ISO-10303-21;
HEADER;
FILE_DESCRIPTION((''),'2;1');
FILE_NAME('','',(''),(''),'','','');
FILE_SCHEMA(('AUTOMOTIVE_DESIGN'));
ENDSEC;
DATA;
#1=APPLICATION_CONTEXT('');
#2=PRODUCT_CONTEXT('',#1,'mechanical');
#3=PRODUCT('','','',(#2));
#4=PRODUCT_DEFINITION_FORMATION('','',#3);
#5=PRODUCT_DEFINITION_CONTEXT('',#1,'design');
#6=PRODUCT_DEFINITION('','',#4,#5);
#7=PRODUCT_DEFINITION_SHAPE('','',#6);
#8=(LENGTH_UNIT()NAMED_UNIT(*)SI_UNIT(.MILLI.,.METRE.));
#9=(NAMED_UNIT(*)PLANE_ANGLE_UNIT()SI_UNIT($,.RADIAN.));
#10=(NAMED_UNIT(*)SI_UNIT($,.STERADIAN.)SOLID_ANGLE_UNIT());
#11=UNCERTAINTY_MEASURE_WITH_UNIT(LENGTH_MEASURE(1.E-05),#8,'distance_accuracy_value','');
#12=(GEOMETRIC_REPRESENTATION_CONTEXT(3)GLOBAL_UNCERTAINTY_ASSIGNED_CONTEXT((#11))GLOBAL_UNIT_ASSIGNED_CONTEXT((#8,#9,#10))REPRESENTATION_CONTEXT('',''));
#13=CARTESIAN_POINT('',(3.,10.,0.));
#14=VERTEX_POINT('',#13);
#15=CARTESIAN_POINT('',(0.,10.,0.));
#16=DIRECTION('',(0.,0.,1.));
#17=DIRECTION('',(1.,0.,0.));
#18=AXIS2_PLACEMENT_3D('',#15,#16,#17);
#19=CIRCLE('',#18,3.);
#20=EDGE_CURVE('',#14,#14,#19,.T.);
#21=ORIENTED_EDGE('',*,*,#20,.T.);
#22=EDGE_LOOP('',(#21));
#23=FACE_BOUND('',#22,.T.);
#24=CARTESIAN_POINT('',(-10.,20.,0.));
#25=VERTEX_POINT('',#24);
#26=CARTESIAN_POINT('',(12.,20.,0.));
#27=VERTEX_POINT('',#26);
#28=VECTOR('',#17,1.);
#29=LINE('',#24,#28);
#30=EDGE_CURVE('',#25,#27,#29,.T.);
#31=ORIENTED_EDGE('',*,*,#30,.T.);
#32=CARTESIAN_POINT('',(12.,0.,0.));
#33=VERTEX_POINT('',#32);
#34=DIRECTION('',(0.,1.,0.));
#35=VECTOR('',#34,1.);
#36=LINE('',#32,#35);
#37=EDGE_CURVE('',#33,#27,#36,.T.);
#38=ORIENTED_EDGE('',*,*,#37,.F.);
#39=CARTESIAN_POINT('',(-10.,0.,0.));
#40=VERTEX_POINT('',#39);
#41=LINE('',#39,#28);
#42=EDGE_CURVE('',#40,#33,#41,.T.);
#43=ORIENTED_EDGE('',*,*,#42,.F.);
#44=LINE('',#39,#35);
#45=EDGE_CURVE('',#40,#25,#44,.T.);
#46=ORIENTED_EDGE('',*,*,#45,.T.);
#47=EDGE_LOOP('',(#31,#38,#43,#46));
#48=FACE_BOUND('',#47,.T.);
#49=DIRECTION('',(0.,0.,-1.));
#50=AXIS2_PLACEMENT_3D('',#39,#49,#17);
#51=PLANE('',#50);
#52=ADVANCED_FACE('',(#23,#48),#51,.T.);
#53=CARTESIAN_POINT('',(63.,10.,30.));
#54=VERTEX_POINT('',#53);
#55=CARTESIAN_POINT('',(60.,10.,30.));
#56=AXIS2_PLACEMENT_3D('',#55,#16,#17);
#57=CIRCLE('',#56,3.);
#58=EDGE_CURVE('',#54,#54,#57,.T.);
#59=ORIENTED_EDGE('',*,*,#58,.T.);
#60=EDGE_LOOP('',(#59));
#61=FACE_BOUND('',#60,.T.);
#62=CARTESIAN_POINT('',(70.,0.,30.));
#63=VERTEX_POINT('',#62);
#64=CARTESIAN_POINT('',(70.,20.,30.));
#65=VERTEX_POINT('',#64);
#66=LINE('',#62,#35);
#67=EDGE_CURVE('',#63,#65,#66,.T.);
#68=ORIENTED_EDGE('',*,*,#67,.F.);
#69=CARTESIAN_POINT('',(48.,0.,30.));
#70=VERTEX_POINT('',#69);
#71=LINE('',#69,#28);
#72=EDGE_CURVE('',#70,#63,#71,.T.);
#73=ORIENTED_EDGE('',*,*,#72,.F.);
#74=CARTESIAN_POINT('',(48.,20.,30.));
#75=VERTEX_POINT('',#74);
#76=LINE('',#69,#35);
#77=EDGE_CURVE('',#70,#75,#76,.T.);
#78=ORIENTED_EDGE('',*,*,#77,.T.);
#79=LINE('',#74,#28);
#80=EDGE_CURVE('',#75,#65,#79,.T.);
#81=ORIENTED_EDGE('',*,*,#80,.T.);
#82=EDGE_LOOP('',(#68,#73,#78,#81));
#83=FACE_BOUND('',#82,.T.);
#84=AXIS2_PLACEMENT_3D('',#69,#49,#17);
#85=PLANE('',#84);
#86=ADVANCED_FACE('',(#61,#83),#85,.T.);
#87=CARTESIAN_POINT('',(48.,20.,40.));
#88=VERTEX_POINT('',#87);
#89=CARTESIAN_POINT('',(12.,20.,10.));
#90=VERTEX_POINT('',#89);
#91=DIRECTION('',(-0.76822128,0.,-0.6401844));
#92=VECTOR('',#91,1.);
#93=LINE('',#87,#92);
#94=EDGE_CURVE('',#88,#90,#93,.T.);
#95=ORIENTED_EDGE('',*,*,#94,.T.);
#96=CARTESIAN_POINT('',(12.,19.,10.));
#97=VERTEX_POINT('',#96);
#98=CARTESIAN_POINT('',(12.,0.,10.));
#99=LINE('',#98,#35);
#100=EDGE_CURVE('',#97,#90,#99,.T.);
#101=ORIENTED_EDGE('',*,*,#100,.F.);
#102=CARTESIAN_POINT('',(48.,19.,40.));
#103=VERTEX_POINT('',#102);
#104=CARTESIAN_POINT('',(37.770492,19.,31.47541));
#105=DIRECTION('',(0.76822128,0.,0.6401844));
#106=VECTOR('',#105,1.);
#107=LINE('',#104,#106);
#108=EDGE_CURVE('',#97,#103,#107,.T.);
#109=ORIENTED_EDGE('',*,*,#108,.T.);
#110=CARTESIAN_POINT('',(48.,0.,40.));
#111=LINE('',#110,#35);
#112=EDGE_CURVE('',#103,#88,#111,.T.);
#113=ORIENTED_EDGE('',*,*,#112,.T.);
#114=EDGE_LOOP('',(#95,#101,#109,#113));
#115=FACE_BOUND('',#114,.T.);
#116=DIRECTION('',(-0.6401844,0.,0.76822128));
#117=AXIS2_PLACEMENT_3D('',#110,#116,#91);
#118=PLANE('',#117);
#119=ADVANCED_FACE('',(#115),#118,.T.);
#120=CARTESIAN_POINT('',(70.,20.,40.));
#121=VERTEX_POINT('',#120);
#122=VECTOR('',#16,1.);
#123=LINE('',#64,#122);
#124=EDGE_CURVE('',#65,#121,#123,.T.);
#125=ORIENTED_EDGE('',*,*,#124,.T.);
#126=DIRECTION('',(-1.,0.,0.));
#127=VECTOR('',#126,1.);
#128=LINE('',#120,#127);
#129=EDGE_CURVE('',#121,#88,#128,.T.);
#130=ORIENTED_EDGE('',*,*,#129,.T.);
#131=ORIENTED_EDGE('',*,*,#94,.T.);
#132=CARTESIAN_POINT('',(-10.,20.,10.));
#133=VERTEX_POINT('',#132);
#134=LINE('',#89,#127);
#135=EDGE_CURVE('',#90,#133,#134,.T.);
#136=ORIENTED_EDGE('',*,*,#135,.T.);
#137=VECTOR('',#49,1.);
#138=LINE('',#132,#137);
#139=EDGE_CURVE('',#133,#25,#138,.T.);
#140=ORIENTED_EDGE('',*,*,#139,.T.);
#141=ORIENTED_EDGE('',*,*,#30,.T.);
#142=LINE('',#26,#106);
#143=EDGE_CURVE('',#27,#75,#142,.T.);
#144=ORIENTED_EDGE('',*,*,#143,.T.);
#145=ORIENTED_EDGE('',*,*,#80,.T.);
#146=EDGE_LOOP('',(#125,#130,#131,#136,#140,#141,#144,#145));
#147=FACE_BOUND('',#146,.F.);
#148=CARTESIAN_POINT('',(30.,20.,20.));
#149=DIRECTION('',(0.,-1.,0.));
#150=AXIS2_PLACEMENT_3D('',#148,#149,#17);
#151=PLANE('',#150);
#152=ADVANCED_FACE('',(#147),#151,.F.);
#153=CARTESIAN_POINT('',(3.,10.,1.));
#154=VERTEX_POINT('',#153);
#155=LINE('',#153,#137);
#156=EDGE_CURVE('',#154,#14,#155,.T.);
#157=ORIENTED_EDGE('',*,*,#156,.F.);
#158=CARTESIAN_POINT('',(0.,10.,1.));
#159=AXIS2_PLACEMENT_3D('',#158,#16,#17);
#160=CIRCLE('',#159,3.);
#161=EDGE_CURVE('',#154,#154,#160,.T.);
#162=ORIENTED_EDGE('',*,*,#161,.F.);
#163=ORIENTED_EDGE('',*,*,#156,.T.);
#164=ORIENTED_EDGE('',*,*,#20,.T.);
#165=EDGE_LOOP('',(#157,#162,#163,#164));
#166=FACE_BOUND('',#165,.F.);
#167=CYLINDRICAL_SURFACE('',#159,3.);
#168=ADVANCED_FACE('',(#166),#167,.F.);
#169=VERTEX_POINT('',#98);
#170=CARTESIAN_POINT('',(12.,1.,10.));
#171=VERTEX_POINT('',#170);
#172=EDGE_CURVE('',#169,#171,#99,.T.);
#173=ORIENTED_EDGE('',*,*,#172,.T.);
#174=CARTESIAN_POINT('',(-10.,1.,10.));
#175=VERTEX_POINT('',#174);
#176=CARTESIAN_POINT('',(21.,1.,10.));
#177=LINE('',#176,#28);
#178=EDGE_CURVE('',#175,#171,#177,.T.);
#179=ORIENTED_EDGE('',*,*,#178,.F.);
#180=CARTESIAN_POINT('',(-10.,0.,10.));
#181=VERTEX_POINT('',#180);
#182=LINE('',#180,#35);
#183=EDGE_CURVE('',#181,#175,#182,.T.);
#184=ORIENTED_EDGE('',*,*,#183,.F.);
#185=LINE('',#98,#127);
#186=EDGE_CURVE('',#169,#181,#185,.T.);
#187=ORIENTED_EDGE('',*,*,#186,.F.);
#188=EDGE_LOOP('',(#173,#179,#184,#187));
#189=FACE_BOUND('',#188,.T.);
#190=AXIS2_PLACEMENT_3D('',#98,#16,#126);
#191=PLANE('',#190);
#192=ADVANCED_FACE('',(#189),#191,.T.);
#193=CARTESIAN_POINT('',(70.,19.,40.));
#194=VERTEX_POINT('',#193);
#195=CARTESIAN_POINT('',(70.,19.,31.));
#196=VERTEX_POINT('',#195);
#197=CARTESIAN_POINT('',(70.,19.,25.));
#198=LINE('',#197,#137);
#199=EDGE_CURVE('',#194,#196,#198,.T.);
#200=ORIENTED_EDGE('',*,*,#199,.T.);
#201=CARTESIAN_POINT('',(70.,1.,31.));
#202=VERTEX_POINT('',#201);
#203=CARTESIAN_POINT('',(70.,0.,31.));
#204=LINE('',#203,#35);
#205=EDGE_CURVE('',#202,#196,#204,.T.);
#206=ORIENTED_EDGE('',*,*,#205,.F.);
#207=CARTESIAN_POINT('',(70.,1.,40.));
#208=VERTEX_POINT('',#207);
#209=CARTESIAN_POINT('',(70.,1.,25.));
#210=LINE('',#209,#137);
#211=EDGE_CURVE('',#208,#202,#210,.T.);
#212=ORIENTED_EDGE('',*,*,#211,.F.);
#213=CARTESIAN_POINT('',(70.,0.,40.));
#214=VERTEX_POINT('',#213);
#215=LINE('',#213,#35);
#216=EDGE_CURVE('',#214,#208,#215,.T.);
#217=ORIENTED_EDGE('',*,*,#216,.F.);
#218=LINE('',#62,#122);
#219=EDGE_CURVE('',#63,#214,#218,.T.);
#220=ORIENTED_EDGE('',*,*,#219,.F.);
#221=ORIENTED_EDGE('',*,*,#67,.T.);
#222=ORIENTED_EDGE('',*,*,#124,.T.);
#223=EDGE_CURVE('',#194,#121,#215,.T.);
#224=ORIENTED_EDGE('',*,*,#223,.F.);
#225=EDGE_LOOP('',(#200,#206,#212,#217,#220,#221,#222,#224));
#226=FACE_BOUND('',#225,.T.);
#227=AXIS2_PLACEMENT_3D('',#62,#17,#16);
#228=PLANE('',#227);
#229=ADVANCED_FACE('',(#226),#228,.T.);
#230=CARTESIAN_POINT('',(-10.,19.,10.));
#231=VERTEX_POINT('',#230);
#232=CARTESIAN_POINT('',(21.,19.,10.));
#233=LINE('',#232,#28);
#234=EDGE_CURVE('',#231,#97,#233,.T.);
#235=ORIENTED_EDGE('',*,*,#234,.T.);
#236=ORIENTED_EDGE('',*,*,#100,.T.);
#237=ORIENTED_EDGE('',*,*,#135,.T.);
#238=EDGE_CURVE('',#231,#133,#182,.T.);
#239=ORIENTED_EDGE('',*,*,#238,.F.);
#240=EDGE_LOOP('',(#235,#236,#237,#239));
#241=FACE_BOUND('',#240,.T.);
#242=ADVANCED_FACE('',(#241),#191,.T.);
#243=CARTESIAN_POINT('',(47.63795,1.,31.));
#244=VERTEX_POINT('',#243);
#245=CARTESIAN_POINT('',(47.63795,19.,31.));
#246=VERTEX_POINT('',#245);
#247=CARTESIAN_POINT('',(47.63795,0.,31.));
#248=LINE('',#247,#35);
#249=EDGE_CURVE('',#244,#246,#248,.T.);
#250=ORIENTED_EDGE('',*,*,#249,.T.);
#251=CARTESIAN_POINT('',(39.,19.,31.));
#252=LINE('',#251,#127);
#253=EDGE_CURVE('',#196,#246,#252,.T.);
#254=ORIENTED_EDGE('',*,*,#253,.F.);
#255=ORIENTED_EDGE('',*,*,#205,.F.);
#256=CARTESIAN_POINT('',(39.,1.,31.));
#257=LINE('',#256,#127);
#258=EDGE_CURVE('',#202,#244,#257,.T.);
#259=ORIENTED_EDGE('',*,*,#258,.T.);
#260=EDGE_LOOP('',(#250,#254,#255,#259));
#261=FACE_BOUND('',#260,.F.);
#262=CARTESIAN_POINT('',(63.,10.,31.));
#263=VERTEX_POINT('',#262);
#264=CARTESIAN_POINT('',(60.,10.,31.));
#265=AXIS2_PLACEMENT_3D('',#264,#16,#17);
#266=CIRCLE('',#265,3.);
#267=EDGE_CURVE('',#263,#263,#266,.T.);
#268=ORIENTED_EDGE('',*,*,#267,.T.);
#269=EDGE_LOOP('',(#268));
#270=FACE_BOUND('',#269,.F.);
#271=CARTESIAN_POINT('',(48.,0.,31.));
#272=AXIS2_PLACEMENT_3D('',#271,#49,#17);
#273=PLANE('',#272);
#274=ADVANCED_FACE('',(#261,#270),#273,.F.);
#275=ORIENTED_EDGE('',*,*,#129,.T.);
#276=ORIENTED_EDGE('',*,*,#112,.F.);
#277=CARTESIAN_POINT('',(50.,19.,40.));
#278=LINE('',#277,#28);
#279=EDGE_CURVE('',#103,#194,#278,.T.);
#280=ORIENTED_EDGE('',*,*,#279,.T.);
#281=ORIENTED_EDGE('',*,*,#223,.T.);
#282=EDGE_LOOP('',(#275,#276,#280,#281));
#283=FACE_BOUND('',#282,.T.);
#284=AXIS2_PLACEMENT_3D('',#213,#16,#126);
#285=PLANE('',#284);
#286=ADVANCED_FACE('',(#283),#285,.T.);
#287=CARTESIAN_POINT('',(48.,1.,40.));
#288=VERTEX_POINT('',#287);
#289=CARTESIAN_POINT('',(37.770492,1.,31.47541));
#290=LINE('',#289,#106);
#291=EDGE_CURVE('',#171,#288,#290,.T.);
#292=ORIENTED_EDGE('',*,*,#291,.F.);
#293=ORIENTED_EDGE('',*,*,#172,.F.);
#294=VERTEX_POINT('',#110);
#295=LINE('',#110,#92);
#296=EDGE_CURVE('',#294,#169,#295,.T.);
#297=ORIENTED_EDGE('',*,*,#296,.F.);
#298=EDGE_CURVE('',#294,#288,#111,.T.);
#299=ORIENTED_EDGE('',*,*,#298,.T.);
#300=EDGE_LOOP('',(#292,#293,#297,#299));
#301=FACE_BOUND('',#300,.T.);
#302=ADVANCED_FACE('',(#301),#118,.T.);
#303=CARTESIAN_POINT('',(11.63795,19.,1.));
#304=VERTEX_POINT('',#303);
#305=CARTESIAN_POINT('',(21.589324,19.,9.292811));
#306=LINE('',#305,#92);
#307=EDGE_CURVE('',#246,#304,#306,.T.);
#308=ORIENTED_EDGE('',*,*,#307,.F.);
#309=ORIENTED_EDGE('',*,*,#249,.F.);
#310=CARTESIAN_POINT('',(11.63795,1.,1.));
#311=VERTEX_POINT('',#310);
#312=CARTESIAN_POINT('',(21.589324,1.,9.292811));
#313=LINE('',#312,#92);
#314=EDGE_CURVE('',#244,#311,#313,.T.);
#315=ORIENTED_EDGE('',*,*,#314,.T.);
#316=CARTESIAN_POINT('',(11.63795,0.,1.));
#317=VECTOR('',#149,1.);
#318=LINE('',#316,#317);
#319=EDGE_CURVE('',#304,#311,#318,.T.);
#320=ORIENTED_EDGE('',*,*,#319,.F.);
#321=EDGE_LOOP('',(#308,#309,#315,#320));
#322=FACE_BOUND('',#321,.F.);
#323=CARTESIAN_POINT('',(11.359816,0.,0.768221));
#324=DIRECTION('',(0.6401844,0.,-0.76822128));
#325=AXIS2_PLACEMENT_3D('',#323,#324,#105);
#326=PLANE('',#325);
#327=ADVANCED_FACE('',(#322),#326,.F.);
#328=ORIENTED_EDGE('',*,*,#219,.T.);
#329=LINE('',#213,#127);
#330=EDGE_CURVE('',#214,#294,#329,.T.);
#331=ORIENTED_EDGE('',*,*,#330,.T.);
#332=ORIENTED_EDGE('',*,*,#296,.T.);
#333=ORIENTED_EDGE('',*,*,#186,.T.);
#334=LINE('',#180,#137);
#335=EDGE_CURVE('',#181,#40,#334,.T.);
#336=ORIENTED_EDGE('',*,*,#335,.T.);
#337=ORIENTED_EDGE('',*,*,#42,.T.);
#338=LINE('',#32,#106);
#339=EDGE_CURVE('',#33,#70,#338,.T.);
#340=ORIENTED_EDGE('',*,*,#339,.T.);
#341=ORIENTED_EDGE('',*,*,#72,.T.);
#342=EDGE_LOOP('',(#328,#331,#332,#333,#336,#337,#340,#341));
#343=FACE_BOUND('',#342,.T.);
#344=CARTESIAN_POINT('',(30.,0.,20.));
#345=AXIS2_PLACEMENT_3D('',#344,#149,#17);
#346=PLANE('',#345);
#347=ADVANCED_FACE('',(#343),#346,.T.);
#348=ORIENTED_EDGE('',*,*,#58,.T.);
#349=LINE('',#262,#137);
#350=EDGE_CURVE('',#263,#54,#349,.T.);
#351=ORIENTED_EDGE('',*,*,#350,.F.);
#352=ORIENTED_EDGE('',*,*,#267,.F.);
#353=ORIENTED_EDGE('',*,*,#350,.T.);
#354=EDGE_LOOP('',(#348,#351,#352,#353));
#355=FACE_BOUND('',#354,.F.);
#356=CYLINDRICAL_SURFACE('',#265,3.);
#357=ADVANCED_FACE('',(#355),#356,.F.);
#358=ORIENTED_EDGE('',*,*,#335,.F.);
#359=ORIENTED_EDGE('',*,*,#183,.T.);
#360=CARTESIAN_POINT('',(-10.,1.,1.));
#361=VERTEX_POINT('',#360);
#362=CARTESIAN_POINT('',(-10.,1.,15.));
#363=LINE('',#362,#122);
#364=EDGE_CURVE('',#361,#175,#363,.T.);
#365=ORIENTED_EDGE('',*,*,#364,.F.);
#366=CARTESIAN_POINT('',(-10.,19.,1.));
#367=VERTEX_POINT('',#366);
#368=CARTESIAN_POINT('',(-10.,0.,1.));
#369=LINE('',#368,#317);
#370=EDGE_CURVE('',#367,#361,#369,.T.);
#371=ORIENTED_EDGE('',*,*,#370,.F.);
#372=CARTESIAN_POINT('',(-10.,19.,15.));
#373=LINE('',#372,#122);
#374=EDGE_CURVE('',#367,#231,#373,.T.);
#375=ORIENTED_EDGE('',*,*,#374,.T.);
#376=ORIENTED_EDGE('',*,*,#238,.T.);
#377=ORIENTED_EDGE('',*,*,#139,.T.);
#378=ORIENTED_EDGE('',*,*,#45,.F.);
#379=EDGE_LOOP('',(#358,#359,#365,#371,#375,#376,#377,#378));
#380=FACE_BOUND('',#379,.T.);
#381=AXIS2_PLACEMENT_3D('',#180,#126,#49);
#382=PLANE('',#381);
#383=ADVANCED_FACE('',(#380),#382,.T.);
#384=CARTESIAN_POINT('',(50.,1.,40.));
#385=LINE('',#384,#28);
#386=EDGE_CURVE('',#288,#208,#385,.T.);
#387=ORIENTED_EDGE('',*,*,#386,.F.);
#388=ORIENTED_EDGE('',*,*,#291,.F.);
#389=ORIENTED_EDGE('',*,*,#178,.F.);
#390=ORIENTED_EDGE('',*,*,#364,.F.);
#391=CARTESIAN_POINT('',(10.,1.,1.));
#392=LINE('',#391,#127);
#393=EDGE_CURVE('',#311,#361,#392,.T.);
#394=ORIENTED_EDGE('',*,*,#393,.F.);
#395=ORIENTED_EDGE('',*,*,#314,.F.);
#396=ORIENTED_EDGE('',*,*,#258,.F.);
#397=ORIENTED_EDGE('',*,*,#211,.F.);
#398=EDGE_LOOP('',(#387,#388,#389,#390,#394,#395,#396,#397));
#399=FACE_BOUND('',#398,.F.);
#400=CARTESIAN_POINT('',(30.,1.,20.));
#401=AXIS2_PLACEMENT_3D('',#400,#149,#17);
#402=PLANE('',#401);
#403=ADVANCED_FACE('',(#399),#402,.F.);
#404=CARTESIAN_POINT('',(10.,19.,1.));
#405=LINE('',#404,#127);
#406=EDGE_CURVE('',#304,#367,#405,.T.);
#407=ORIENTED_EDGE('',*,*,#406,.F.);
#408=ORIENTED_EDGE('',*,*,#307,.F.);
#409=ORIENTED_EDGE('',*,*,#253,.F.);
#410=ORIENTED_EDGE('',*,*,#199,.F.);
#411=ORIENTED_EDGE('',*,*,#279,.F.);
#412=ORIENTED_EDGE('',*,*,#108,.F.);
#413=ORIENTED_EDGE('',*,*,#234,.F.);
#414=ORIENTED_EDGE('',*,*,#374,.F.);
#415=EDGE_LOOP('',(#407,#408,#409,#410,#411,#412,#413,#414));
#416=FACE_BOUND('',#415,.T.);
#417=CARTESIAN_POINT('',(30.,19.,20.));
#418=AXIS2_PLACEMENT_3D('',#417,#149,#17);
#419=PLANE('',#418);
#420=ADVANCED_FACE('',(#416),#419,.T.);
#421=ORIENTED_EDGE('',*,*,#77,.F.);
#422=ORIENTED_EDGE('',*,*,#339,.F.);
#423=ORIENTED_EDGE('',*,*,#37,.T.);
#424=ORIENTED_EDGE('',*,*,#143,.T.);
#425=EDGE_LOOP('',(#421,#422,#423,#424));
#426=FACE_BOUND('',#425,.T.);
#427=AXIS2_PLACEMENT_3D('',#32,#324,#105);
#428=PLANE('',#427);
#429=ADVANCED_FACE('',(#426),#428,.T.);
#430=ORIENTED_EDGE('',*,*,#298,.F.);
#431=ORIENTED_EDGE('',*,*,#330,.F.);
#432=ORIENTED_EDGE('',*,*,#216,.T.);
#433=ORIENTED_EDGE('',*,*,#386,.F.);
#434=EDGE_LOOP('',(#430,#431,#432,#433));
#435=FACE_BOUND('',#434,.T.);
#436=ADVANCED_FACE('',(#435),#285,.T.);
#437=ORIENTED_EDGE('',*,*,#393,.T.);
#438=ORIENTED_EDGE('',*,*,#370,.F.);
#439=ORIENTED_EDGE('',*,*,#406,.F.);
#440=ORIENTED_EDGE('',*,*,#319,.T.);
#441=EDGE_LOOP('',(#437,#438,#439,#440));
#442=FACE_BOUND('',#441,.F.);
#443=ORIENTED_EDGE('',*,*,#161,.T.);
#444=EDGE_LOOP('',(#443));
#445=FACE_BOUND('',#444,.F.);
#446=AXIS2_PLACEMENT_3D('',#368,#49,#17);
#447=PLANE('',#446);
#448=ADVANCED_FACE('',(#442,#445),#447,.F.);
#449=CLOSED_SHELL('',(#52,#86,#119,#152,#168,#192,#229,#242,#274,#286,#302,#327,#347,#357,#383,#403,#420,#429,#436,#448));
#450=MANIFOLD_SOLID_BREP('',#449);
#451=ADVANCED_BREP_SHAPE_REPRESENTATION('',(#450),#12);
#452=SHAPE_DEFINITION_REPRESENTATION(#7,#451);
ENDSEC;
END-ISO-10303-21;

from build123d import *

# Parameters (mm, degrees)
F1_DEPTH = 20
F2_T     = -1
F3_R     = 3
F4_DEPTH = 1.001
F5_R     = 3
F6_DEPTH = 31.001


with BuildPart() as f1:
    # F0 (on Front) → F1 (new body)
    with BuildSketch(Plane.XZ):
        Polygon((70, 30), (70, 40), (48, 40), (12, 10), (-10, 10), (-10, 0), (12, 0), (48, 30), align=None)
    extrude(amount=-F1_DEPTH)

    # F2
    f2_openings = [f1.faces().sort_by_distance(p)[0] for p in [
        (59, 10, 40),
        (30, 10, 25),
        (1, 10, 10),
        (70, 10, 35),
        (-10, 10, 5),
    ]]
    offset(amount=F2_T, openings=f2_openings, kind=Kind.INTERSECTION)

    # F3 (on face) → F4 (cut, through all)
    with BuildSketch(Plane.XY.offset(1)):
        with Locations((0, 10)):
            Circle(F3_R)
    extrude(amount=-F4_DEPTH, mode=Mode.SUBTRACT)

    # F5 (on face) → F6 (cut, through all)
    with BuildSketch(Plane.XY.offset(31)):
        with Locations((60, 10)):
            Circle(F5_R)
    extrude(amount=-F6_DEPTH, mode=Mode.SUBTRACT)


solid = f1.part
